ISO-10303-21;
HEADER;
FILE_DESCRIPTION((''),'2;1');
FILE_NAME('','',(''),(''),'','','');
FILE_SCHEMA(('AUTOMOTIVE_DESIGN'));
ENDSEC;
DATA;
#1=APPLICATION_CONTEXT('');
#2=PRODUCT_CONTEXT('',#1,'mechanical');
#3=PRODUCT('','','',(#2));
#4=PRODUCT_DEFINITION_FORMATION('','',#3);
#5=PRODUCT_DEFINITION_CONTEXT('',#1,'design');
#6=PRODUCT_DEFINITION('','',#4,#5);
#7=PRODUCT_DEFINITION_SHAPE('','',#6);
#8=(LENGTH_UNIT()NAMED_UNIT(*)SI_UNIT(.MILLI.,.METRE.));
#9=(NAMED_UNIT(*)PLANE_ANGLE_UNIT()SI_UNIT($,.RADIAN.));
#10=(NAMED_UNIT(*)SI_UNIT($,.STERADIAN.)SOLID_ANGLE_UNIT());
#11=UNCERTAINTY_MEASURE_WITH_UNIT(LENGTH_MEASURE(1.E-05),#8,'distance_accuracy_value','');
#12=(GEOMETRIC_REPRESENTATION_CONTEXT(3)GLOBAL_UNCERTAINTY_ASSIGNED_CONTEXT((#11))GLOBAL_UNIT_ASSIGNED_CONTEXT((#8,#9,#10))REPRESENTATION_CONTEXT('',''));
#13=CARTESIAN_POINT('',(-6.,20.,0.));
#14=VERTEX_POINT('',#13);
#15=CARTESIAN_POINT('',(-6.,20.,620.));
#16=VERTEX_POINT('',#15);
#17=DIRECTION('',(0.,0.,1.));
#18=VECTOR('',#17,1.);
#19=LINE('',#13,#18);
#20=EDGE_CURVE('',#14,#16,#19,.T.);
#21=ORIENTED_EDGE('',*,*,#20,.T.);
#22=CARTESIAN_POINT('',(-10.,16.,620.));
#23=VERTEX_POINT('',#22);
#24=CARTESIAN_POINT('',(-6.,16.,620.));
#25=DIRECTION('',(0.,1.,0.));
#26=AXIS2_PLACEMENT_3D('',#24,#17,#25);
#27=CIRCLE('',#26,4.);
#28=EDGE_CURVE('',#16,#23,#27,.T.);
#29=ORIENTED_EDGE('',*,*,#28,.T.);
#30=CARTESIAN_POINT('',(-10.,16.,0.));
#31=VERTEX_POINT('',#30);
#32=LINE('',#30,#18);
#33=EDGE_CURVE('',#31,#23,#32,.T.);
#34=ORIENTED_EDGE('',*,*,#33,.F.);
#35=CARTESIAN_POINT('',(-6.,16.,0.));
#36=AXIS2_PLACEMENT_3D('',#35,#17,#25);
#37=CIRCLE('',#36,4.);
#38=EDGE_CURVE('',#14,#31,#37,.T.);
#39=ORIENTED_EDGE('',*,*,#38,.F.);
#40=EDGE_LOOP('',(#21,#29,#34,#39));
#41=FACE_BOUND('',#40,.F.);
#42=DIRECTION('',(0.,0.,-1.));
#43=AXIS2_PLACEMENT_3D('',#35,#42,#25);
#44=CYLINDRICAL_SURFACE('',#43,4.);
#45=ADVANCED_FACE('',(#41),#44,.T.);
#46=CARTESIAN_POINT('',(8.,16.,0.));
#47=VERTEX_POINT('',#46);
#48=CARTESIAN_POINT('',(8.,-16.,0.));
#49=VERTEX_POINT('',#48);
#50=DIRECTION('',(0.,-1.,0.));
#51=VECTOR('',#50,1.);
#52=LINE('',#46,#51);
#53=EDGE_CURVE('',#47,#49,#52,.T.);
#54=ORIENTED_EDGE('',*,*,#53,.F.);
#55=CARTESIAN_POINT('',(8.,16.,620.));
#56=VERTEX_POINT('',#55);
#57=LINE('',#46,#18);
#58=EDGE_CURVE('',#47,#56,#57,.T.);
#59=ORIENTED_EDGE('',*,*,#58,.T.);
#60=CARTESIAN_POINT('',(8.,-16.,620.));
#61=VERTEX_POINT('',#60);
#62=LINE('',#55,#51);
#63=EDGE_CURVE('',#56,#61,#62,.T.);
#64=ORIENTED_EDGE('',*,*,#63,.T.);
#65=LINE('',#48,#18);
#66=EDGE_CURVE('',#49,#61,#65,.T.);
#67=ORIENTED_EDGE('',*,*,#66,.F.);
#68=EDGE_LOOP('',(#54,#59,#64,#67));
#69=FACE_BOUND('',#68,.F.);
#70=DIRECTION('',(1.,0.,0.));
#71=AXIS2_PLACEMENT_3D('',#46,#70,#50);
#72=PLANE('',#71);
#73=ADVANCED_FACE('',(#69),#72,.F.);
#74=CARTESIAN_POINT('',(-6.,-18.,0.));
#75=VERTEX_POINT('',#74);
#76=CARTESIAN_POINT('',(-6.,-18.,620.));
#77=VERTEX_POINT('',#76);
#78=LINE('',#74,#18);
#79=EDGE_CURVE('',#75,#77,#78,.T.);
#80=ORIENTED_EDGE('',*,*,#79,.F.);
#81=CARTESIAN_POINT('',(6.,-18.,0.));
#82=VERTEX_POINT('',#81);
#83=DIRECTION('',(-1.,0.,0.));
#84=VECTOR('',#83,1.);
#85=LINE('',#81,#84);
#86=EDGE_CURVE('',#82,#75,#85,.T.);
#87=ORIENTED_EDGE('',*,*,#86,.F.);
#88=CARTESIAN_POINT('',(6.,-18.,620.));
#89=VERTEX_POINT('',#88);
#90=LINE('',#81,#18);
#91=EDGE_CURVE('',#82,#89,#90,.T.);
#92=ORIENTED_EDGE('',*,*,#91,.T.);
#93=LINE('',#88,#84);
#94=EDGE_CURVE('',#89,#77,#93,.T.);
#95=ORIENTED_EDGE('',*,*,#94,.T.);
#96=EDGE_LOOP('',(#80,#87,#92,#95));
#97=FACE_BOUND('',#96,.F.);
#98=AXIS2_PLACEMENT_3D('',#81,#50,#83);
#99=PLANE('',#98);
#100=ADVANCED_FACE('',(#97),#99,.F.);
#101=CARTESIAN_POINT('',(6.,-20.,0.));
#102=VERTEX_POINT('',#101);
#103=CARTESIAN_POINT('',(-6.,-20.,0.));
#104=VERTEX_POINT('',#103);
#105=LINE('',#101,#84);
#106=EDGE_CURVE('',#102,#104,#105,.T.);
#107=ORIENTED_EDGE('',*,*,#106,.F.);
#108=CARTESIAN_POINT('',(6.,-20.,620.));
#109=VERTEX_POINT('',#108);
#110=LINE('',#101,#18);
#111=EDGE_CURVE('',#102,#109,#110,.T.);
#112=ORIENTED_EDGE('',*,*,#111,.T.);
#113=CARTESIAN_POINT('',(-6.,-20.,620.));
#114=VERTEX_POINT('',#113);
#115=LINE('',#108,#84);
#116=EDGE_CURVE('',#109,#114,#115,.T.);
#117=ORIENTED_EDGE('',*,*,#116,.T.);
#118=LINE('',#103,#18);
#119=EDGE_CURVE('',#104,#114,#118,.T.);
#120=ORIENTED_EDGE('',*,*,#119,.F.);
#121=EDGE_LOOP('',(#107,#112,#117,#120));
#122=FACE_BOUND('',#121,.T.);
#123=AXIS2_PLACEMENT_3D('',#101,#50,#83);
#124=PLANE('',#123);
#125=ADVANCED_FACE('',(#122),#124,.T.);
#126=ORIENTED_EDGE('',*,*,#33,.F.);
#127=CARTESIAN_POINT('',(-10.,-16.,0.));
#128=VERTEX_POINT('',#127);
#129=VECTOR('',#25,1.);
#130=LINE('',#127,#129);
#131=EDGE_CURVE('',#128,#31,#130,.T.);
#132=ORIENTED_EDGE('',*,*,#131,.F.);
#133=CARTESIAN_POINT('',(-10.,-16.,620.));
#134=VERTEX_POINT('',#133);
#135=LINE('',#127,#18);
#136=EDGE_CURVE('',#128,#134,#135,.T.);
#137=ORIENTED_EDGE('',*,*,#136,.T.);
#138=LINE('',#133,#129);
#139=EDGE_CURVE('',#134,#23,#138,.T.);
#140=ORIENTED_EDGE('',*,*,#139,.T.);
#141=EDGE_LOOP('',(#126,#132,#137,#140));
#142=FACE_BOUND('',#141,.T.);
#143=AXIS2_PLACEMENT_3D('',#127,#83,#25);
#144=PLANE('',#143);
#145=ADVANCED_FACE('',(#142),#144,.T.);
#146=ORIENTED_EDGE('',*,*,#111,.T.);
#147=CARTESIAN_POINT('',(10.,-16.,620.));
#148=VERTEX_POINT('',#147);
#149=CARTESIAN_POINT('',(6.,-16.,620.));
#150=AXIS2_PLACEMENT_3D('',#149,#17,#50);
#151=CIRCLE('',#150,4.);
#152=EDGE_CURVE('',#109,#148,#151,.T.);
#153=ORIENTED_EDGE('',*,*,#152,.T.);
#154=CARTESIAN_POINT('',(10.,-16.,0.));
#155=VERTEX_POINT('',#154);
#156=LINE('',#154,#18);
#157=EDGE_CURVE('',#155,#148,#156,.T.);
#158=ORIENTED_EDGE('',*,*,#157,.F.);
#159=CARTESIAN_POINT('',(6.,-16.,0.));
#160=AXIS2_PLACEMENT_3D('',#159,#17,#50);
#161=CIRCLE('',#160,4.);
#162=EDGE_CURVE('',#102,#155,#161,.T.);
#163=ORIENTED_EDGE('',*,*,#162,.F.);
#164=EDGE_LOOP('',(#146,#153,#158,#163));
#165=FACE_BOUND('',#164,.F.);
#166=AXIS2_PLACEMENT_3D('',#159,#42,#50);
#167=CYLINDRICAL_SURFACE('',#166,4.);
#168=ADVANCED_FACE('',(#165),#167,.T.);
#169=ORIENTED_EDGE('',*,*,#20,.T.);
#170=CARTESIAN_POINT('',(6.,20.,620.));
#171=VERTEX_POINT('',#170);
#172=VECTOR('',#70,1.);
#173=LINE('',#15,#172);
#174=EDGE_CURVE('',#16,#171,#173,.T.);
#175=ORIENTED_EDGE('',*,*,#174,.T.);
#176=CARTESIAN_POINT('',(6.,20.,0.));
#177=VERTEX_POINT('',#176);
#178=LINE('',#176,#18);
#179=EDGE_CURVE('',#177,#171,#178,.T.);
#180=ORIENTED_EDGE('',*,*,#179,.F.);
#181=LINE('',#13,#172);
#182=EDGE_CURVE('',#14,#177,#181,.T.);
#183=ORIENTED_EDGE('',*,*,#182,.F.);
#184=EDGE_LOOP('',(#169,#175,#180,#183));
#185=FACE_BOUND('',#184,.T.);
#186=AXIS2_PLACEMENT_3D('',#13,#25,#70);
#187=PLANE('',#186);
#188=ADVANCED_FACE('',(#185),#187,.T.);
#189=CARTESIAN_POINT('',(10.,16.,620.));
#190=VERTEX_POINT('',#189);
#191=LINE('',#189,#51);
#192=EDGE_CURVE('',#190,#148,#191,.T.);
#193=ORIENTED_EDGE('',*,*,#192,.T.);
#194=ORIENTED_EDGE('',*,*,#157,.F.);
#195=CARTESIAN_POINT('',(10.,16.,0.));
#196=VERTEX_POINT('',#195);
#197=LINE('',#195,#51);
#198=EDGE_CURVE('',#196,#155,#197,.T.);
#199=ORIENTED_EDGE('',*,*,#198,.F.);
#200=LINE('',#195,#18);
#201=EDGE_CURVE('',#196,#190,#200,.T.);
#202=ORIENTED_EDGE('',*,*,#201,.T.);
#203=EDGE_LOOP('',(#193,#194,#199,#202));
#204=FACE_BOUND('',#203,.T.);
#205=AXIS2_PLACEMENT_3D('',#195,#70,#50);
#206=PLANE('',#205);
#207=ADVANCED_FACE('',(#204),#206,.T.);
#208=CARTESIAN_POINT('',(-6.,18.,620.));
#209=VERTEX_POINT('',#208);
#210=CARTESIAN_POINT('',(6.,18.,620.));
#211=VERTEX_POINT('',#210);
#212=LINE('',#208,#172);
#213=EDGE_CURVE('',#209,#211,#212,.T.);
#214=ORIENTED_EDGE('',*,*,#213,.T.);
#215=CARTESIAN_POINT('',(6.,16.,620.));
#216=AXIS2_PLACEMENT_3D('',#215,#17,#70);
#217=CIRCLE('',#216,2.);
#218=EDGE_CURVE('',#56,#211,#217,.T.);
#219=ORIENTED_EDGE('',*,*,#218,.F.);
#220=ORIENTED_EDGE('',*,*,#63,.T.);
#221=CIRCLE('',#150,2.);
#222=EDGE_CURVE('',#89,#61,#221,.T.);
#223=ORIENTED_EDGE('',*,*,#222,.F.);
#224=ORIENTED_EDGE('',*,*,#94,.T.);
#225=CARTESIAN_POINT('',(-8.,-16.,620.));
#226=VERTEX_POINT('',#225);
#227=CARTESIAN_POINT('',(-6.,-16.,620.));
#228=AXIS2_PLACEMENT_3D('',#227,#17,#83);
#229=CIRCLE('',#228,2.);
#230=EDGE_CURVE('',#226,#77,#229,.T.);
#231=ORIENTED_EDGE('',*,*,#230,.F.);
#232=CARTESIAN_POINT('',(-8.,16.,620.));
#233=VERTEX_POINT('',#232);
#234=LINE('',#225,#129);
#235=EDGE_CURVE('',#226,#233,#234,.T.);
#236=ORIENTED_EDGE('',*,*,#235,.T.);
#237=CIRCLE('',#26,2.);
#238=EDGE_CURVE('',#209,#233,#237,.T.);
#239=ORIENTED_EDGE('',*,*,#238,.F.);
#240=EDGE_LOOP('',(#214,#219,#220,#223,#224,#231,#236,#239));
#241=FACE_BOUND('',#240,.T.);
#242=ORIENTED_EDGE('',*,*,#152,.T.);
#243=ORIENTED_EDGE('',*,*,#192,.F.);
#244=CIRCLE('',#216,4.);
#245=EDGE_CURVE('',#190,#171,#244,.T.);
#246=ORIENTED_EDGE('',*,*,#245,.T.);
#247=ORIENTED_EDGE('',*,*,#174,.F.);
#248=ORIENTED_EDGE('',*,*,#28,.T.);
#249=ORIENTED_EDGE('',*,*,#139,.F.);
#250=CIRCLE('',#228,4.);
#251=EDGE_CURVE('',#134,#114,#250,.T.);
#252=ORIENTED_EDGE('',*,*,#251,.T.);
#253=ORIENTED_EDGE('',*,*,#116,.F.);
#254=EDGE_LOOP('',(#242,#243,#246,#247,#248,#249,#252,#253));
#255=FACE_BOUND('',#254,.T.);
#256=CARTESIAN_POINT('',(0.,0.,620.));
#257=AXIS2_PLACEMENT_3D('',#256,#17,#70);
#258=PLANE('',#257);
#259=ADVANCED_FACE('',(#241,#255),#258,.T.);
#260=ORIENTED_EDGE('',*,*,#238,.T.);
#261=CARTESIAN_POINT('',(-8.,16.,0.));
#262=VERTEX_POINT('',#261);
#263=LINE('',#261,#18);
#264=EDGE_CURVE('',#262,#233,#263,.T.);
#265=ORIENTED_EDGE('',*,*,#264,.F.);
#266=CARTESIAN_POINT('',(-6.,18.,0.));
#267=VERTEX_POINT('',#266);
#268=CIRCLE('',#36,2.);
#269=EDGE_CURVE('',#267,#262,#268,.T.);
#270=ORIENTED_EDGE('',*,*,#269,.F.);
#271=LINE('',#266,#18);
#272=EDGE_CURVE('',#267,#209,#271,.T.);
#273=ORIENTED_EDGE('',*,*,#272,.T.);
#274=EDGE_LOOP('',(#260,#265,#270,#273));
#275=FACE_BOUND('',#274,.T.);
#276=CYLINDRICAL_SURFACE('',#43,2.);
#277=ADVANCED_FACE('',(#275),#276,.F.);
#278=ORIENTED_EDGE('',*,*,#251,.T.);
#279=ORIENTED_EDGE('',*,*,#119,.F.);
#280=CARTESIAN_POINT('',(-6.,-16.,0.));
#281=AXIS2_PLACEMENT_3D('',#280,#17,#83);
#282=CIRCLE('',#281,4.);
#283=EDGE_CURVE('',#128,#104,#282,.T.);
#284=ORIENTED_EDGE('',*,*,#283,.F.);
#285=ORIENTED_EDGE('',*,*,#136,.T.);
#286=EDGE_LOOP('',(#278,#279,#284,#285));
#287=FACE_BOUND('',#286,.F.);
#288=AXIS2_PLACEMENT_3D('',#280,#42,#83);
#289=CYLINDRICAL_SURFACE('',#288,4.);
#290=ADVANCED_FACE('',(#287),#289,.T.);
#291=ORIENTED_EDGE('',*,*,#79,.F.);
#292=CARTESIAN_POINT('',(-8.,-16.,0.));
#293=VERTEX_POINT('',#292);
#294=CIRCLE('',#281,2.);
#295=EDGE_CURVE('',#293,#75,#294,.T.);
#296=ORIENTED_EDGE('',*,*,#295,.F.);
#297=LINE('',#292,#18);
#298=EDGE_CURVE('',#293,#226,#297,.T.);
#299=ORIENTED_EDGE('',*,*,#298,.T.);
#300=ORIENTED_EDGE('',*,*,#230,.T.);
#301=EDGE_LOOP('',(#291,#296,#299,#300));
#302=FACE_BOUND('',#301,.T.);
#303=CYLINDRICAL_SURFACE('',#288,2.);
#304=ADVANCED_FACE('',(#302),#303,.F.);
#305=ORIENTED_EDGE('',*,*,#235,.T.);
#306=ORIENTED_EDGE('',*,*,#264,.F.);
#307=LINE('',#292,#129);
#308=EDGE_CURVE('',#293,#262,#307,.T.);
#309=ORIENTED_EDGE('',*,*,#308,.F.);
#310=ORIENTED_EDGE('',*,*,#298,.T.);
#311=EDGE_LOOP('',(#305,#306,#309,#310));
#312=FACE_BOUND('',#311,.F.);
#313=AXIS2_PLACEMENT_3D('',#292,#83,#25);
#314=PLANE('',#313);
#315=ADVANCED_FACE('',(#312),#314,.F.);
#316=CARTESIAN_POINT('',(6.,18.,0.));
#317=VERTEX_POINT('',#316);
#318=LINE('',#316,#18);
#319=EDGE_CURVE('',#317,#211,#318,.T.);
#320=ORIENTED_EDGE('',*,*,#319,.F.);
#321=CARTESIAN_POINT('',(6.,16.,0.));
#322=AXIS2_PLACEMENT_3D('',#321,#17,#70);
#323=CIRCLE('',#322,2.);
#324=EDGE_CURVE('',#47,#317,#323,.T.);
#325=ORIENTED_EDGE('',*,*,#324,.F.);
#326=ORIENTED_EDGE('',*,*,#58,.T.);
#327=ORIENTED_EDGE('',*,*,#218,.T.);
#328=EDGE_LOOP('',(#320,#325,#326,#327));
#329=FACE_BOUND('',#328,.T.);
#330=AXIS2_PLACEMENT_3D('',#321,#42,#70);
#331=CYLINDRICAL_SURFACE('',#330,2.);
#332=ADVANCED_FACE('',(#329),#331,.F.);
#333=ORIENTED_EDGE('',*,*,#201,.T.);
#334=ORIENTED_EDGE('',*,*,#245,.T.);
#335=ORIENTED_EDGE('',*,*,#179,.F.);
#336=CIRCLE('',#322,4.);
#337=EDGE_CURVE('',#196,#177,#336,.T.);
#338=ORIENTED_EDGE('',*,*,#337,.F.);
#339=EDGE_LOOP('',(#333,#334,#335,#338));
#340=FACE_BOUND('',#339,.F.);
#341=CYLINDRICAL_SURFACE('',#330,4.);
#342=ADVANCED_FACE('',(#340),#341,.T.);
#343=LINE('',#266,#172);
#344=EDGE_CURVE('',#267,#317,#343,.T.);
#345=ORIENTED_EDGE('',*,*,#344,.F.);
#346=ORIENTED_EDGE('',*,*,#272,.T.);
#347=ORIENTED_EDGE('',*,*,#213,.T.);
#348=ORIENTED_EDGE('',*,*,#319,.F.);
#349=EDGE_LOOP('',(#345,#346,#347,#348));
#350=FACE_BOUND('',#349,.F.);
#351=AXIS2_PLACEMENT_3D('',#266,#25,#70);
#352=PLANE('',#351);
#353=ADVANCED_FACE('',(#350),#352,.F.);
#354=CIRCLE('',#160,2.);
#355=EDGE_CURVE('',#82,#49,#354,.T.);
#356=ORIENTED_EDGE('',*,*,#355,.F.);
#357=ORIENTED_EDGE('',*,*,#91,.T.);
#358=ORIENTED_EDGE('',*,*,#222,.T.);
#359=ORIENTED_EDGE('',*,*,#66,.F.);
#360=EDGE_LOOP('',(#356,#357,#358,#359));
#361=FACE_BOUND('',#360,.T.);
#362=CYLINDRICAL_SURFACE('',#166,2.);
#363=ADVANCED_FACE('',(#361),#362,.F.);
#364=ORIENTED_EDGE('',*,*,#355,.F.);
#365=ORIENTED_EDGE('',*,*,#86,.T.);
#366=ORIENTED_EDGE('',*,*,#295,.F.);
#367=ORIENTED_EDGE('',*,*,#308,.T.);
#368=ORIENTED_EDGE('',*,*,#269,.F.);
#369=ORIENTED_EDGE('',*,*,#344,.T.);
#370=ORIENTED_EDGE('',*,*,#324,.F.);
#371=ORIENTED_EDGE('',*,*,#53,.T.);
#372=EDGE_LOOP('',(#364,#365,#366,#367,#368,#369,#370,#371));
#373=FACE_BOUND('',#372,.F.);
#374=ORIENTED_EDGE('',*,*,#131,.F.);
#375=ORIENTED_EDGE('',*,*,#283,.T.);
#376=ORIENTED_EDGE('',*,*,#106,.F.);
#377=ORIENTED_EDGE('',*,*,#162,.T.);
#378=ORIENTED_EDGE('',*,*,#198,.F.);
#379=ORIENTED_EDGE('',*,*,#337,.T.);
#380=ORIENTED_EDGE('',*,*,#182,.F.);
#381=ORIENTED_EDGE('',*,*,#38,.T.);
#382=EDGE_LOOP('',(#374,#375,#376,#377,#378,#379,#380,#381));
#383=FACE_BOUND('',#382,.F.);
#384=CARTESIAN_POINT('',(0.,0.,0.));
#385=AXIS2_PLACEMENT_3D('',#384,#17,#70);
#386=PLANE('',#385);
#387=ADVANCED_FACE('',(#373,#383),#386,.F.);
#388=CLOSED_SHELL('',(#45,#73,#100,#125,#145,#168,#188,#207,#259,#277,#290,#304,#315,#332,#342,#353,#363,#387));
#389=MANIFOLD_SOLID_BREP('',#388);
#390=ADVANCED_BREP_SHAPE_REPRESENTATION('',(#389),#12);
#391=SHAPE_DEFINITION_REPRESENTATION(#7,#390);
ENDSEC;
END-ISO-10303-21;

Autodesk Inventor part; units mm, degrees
ref_plane "YZ Plane" through (0, 0, 0) normal (1, 0, 0) x (0, 1, 0)
ref_plane "Start Plane" through (0, 0, 0) normal (0, 0, 1) x (1, 0, 0)
ref_plane "End Plane" through (0, 0, 620) normal (0, 0, 1) x (1, 0, 0)
sketch "Sketch" plane through (0, 0, 0) normal (0, 0, 1) x (1, 0, 0)
  line L0 (-10, -16) -> (-10, 16)
  line L1 (-6, 20) -> (6, 20)
  line L2 (10, 16) -> (10, -16)
  line L3 (6, -20) -> (-6, -20)
  arc A0 (-10, -16) -> (-6, -20) centre (-6, -16) ccw
  arc A1 (10, 16) -> (6, 20) centre (6, 16) ccw
  arc A2 (-6, 20) -> (-10, 16) centre (-6, 16) ccw
  arc A3 (6, -20) -> (10, -16) centre (6, -16) ccw
  arc A4 (-6, 18) -> (-8, 16) centre (-6, 16) ccw
  line L4 (-6, 18) -> (6, 18)
  arc A5 (8, 16) -> (6, 18) centre (6, 16) ccw
  line L5 (8, 16) -> (8, -16)
  arc A6 (6, -18) -> (8, -16) centre (6, -16) ccw
  line L6 (6, -18) -> (-6, -18)
  arc A7 (-8, -16) -> (-6, -18) centre (-6, -16) ccw
  line L7 (-8, -16) -> (-8, 16)
  line L8 (0, 29.1598) -> (0, -29.1598) construction
  line L9 (-15.1598, 0) -> (15.1598, 0) construction
  dimension "d7" = 4
  dimension "d9" = 20
  dimension "d11" = 40
  dimension "d12" = 2
  dimension "d15" = 10
  dimension "d16" = 20
extrude "Body" add sketch "Sketch" along normal up to surface (620 mm away) from surface at 0
sketch "Sketch3" plane through (0, 0, 0) normal (0, 0, 1) x (1, 0, 0)
  line L0 (0, 0) -> (10, 0)
ref_plane "Work Plane3" through (0, 0, 0) normal (0, -1, 0) x (1, 0, 0)
sketch "Sketch4" plane through (0, 0, 0) normal (0, -1, 0) x (1, 0, 0)
  line L0 (-2, 0) -> (12, 0) projected
  line L1 (-2, 620) -> (12, 620) projected
  dimension "d18" = 620
equation "\"d7\" = G_IR"
equation "\"d9\" = G_W"
equation "\"d11\" = G_H"
equation "\"d12\" = G_T"
equation "\"d15\" = 0.5 * d9"
equation "\"d16\" = 0.5 * d11"
equation "\"d3\" = G_L"
equation "\"G_W\" = 20"
equation "\"G_H\" = 40"
equation "\"G_T\" = 2"
equation "\"G_IR\" = 4"
equation "\"G_L\" = d18"
equation "\"G_OFFSET_START\" = 0"
equation "\"G_OFFSET_END\" = 0"
properties part number "ISO 10799-2 - 40x20x2 - 620" material "Steel, Mild"
